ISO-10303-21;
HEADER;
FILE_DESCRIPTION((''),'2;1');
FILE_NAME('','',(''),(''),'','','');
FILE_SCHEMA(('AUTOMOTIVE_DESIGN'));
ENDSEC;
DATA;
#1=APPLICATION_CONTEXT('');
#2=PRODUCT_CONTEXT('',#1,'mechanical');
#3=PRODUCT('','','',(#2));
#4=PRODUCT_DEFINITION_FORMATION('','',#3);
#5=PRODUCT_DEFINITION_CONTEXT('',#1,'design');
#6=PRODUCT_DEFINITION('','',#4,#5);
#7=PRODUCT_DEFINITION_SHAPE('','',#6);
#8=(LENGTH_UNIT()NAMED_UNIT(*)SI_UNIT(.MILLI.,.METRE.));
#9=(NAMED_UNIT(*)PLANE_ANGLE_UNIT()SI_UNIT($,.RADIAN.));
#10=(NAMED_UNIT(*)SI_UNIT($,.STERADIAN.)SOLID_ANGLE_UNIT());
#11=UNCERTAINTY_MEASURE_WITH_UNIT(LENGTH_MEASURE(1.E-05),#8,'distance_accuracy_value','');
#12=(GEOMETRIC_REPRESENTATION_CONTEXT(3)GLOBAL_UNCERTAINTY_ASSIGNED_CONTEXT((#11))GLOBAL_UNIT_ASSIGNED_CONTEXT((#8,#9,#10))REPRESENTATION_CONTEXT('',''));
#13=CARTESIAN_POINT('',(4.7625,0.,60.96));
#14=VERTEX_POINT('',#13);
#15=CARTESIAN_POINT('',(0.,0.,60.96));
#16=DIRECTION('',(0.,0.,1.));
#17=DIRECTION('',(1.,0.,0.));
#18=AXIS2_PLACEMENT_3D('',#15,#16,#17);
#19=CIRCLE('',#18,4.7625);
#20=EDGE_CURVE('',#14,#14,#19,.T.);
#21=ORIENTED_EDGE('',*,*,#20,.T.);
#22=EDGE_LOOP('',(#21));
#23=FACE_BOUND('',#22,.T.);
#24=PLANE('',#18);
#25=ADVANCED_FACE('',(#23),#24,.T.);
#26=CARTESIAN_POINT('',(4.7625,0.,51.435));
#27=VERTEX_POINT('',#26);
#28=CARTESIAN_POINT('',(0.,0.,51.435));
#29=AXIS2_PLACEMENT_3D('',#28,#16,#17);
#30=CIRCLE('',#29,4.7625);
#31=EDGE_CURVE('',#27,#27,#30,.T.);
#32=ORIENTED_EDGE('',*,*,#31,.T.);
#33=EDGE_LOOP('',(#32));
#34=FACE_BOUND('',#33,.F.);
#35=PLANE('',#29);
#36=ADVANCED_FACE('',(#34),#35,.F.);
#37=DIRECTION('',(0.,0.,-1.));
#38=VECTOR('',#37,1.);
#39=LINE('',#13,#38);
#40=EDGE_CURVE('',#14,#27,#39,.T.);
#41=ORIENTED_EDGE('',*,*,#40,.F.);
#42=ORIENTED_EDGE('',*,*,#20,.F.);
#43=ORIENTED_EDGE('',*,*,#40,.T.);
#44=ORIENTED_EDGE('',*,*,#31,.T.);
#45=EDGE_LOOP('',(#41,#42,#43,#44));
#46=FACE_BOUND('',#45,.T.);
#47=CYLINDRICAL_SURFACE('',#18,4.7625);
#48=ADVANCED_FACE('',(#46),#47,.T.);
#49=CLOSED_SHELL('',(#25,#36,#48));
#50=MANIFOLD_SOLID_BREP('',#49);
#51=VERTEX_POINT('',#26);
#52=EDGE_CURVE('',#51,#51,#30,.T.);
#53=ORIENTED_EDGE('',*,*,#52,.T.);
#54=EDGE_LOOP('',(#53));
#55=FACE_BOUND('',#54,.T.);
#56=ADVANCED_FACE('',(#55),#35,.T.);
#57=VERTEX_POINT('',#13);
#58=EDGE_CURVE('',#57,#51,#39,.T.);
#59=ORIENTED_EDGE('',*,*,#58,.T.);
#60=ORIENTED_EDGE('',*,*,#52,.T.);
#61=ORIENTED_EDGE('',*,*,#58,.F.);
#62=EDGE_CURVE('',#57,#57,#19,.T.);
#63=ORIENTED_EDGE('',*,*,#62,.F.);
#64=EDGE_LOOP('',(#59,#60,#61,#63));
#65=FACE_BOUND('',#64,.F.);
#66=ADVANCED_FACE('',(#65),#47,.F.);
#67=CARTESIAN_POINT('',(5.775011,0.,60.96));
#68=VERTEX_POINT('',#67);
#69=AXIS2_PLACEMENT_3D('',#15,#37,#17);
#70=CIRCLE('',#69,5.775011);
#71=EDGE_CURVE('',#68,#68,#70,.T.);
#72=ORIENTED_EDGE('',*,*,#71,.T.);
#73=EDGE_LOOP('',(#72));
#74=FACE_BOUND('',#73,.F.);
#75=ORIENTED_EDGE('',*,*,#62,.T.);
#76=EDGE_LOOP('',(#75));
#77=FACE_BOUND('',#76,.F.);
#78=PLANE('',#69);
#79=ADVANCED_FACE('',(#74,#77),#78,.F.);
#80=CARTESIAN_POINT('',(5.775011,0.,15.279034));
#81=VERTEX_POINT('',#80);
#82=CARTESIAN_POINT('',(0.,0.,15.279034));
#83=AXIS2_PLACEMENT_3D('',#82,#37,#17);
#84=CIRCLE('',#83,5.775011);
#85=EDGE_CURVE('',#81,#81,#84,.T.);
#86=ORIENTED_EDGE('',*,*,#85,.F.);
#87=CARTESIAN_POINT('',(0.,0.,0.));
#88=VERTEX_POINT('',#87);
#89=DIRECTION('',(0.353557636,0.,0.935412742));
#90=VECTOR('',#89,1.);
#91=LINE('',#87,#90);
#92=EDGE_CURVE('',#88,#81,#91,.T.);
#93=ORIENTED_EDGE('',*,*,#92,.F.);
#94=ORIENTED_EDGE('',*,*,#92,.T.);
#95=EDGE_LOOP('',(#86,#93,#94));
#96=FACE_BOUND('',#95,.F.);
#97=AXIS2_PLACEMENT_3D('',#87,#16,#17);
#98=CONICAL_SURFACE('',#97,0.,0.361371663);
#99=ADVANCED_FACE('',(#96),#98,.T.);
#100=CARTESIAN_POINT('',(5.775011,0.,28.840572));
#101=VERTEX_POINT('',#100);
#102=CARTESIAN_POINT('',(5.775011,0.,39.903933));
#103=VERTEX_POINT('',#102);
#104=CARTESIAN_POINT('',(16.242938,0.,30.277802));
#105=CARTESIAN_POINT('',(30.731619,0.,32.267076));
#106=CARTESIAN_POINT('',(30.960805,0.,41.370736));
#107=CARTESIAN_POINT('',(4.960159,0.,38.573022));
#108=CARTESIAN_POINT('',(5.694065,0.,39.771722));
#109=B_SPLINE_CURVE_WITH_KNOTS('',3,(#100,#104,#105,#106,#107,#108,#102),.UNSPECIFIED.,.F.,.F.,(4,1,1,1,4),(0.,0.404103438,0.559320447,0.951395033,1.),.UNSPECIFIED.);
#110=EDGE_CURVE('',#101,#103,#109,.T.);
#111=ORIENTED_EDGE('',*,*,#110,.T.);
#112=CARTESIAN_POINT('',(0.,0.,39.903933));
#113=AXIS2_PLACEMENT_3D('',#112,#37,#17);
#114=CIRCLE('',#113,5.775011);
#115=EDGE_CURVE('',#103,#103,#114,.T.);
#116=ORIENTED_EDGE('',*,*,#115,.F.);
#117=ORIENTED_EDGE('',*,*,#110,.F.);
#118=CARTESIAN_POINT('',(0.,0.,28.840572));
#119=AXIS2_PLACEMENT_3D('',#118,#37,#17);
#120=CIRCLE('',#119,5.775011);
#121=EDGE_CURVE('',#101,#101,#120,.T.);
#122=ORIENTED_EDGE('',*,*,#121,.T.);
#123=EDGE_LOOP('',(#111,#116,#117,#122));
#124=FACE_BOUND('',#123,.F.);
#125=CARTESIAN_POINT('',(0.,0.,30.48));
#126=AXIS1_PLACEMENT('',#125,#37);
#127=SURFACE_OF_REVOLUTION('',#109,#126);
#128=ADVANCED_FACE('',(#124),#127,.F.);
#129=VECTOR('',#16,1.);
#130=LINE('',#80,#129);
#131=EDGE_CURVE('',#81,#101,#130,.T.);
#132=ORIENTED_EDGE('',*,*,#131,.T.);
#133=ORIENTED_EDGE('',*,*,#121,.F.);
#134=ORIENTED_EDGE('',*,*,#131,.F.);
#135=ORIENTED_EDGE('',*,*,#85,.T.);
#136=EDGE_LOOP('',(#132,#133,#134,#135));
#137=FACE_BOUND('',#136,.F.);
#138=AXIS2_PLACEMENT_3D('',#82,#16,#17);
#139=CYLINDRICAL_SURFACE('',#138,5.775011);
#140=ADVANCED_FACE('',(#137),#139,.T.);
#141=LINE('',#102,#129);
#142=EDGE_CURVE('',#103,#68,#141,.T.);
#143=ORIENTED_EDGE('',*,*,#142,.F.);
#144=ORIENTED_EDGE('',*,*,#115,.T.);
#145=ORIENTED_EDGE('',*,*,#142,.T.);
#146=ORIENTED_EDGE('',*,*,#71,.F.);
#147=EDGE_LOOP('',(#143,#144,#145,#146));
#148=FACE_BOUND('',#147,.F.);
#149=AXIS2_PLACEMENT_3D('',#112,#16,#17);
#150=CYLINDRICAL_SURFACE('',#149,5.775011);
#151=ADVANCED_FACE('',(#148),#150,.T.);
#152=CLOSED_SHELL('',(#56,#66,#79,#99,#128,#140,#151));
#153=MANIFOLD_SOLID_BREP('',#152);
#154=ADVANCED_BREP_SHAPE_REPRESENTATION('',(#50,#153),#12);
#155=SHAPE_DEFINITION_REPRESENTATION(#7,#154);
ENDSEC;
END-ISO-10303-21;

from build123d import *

# Parameters (mm, degrees)
F2_R     = 4.7625
F3_DEPTH = 9.525
F4_DEPTH = 9.525


with BuildPart() as f1:
    # F0 (on Front) → F1 (revolve)
    with BuildSketch(Plane.XZ):
        with BuildLine():
            Line((0, 60.96), (0, 0))
            Line((0, 0), (5.775011144, 15.2790336204))
            Line((5.775011144, 15.2790336204), (5.775011144, 28.840571844))
            add(Edge.make_bspline(
                [(5.775011144, 28.840571844), (16.2429383565, 30.2778020596), (30.7316191477, 32.2670755226), (30.9608048096, 41.3707360977), (4.9601585477, 38.5730215847), (5.6940646154, 39.7717218331), (5.775011144, 39.9039330631)],
                knots=[0, 0, 0, 0, 0.4041034384, 0.5593204468, 0.9513950332, 1, 1, 1, 1], degree=3))
            Line((5.775011144, 39.9039330631), (5.775011144, 60.96))
            Line((5.775011144, 60.96), (0, 60.96))
        make_face()
    revolve(axis=Axis((0, 0, 30.48), (0, 0, -1)))

    # F2 (on face) → F3 (cut)
    with BuildSketch(Plane.XY.offset(60.96)):
        Circle(F2_R)
    extrude(amount=-F3_DEPTH, mode=Mode.SUBTRACT)


with BuildPart() as f4:
    # F2 (on face) → F4 (new body)
    with BuildSketch(Plane.XY.offset(60.96)):
        Circle(F2_R)
    extrude(amount=-F4_DEPTH)


solid = Compound([f1.part, f4.part])
